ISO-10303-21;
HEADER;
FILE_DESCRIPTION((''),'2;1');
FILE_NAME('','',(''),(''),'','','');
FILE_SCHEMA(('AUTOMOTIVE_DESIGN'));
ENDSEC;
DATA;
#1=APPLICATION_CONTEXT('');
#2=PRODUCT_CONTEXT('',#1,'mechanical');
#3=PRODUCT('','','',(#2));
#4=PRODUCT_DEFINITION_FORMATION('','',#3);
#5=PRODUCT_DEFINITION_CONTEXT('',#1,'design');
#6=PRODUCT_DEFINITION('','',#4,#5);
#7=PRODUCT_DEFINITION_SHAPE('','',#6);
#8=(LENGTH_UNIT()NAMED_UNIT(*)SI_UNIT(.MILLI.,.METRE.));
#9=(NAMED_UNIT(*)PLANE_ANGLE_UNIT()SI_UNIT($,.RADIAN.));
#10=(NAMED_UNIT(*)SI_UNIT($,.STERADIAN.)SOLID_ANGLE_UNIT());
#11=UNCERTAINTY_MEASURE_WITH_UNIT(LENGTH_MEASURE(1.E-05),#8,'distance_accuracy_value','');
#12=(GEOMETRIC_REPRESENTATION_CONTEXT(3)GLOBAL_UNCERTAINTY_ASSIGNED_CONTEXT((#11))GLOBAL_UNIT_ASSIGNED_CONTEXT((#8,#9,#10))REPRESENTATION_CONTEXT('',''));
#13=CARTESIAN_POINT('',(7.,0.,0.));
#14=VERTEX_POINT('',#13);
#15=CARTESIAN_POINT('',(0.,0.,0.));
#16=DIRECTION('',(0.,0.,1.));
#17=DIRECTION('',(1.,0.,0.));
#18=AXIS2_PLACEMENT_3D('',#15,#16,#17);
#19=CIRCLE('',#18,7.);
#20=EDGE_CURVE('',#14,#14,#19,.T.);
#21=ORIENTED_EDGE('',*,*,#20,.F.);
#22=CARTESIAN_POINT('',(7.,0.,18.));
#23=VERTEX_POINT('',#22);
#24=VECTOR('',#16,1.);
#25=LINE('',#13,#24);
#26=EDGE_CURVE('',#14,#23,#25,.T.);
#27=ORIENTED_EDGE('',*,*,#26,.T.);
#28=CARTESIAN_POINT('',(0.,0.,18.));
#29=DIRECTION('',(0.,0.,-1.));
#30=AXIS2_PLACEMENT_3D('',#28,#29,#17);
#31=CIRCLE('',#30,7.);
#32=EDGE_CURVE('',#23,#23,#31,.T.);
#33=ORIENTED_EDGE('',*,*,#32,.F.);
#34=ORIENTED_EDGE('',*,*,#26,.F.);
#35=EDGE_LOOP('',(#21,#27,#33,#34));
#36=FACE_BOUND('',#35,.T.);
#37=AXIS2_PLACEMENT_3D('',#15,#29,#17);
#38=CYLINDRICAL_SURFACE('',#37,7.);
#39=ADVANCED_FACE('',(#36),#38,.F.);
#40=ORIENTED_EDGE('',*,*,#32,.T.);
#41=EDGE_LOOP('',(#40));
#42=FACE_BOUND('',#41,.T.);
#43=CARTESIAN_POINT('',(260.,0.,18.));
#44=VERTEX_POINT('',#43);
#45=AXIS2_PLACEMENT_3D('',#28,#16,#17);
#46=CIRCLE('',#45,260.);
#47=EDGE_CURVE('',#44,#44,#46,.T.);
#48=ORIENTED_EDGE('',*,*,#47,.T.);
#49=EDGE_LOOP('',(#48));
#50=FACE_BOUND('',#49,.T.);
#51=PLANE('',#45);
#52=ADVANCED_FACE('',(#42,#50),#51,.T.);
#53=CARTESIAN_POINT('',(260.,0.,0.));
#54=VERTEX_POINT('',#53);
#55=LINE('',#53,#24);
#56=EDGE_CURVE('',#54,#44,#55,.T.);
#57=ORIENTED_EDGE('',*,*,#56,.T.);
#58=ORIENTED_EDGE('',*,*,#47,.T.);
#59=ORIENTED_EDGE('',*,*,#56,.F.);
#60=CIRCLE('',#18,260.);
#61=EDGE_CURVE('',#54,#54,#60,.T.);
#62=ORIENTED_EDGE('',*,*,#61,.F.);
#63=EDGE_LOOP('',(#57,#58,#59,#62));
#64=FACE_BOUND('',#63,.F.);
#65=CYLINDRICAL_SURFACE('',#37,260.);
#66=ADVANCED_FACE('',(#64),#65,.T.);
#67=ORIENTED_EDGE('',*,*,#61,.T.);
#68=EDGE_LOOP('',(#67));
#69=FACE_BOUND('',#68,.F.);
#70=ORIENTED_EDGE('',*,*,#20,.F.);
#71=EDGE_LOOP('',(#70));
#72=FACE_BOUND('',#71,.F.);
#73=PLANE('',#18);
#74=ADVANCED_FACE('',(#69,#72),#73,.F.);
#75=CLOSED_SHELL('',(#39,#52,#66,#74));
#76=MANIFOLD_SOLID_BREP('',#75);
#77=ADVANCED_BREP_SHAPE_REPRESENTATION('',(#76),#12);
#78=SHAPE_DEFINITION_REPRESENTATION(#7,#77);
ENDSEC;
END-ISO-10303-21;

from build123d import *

# Parameters (mm, degrees)
SKETCH_R     = 260
PAD_DEPTH    = 18
SKETCH001_R  = 7
POCKET_DEPTH = 18.001


with BuildPart() as part:
    # Sketch → Pad (new body)
    with BuildSketch(Plane.XY):
        Circle(SKETCH_R)
    extrude(amount=PAD_DEPTH)

    # Sketch001 → Pocket (cut, through all)
    with BuildSketch(Plane.XY):
        Circle(SKETCH001_R)
    extrude(amount=POCKET_DEPTH, mode=Mode.SUBTRACT)


solid = part.part
